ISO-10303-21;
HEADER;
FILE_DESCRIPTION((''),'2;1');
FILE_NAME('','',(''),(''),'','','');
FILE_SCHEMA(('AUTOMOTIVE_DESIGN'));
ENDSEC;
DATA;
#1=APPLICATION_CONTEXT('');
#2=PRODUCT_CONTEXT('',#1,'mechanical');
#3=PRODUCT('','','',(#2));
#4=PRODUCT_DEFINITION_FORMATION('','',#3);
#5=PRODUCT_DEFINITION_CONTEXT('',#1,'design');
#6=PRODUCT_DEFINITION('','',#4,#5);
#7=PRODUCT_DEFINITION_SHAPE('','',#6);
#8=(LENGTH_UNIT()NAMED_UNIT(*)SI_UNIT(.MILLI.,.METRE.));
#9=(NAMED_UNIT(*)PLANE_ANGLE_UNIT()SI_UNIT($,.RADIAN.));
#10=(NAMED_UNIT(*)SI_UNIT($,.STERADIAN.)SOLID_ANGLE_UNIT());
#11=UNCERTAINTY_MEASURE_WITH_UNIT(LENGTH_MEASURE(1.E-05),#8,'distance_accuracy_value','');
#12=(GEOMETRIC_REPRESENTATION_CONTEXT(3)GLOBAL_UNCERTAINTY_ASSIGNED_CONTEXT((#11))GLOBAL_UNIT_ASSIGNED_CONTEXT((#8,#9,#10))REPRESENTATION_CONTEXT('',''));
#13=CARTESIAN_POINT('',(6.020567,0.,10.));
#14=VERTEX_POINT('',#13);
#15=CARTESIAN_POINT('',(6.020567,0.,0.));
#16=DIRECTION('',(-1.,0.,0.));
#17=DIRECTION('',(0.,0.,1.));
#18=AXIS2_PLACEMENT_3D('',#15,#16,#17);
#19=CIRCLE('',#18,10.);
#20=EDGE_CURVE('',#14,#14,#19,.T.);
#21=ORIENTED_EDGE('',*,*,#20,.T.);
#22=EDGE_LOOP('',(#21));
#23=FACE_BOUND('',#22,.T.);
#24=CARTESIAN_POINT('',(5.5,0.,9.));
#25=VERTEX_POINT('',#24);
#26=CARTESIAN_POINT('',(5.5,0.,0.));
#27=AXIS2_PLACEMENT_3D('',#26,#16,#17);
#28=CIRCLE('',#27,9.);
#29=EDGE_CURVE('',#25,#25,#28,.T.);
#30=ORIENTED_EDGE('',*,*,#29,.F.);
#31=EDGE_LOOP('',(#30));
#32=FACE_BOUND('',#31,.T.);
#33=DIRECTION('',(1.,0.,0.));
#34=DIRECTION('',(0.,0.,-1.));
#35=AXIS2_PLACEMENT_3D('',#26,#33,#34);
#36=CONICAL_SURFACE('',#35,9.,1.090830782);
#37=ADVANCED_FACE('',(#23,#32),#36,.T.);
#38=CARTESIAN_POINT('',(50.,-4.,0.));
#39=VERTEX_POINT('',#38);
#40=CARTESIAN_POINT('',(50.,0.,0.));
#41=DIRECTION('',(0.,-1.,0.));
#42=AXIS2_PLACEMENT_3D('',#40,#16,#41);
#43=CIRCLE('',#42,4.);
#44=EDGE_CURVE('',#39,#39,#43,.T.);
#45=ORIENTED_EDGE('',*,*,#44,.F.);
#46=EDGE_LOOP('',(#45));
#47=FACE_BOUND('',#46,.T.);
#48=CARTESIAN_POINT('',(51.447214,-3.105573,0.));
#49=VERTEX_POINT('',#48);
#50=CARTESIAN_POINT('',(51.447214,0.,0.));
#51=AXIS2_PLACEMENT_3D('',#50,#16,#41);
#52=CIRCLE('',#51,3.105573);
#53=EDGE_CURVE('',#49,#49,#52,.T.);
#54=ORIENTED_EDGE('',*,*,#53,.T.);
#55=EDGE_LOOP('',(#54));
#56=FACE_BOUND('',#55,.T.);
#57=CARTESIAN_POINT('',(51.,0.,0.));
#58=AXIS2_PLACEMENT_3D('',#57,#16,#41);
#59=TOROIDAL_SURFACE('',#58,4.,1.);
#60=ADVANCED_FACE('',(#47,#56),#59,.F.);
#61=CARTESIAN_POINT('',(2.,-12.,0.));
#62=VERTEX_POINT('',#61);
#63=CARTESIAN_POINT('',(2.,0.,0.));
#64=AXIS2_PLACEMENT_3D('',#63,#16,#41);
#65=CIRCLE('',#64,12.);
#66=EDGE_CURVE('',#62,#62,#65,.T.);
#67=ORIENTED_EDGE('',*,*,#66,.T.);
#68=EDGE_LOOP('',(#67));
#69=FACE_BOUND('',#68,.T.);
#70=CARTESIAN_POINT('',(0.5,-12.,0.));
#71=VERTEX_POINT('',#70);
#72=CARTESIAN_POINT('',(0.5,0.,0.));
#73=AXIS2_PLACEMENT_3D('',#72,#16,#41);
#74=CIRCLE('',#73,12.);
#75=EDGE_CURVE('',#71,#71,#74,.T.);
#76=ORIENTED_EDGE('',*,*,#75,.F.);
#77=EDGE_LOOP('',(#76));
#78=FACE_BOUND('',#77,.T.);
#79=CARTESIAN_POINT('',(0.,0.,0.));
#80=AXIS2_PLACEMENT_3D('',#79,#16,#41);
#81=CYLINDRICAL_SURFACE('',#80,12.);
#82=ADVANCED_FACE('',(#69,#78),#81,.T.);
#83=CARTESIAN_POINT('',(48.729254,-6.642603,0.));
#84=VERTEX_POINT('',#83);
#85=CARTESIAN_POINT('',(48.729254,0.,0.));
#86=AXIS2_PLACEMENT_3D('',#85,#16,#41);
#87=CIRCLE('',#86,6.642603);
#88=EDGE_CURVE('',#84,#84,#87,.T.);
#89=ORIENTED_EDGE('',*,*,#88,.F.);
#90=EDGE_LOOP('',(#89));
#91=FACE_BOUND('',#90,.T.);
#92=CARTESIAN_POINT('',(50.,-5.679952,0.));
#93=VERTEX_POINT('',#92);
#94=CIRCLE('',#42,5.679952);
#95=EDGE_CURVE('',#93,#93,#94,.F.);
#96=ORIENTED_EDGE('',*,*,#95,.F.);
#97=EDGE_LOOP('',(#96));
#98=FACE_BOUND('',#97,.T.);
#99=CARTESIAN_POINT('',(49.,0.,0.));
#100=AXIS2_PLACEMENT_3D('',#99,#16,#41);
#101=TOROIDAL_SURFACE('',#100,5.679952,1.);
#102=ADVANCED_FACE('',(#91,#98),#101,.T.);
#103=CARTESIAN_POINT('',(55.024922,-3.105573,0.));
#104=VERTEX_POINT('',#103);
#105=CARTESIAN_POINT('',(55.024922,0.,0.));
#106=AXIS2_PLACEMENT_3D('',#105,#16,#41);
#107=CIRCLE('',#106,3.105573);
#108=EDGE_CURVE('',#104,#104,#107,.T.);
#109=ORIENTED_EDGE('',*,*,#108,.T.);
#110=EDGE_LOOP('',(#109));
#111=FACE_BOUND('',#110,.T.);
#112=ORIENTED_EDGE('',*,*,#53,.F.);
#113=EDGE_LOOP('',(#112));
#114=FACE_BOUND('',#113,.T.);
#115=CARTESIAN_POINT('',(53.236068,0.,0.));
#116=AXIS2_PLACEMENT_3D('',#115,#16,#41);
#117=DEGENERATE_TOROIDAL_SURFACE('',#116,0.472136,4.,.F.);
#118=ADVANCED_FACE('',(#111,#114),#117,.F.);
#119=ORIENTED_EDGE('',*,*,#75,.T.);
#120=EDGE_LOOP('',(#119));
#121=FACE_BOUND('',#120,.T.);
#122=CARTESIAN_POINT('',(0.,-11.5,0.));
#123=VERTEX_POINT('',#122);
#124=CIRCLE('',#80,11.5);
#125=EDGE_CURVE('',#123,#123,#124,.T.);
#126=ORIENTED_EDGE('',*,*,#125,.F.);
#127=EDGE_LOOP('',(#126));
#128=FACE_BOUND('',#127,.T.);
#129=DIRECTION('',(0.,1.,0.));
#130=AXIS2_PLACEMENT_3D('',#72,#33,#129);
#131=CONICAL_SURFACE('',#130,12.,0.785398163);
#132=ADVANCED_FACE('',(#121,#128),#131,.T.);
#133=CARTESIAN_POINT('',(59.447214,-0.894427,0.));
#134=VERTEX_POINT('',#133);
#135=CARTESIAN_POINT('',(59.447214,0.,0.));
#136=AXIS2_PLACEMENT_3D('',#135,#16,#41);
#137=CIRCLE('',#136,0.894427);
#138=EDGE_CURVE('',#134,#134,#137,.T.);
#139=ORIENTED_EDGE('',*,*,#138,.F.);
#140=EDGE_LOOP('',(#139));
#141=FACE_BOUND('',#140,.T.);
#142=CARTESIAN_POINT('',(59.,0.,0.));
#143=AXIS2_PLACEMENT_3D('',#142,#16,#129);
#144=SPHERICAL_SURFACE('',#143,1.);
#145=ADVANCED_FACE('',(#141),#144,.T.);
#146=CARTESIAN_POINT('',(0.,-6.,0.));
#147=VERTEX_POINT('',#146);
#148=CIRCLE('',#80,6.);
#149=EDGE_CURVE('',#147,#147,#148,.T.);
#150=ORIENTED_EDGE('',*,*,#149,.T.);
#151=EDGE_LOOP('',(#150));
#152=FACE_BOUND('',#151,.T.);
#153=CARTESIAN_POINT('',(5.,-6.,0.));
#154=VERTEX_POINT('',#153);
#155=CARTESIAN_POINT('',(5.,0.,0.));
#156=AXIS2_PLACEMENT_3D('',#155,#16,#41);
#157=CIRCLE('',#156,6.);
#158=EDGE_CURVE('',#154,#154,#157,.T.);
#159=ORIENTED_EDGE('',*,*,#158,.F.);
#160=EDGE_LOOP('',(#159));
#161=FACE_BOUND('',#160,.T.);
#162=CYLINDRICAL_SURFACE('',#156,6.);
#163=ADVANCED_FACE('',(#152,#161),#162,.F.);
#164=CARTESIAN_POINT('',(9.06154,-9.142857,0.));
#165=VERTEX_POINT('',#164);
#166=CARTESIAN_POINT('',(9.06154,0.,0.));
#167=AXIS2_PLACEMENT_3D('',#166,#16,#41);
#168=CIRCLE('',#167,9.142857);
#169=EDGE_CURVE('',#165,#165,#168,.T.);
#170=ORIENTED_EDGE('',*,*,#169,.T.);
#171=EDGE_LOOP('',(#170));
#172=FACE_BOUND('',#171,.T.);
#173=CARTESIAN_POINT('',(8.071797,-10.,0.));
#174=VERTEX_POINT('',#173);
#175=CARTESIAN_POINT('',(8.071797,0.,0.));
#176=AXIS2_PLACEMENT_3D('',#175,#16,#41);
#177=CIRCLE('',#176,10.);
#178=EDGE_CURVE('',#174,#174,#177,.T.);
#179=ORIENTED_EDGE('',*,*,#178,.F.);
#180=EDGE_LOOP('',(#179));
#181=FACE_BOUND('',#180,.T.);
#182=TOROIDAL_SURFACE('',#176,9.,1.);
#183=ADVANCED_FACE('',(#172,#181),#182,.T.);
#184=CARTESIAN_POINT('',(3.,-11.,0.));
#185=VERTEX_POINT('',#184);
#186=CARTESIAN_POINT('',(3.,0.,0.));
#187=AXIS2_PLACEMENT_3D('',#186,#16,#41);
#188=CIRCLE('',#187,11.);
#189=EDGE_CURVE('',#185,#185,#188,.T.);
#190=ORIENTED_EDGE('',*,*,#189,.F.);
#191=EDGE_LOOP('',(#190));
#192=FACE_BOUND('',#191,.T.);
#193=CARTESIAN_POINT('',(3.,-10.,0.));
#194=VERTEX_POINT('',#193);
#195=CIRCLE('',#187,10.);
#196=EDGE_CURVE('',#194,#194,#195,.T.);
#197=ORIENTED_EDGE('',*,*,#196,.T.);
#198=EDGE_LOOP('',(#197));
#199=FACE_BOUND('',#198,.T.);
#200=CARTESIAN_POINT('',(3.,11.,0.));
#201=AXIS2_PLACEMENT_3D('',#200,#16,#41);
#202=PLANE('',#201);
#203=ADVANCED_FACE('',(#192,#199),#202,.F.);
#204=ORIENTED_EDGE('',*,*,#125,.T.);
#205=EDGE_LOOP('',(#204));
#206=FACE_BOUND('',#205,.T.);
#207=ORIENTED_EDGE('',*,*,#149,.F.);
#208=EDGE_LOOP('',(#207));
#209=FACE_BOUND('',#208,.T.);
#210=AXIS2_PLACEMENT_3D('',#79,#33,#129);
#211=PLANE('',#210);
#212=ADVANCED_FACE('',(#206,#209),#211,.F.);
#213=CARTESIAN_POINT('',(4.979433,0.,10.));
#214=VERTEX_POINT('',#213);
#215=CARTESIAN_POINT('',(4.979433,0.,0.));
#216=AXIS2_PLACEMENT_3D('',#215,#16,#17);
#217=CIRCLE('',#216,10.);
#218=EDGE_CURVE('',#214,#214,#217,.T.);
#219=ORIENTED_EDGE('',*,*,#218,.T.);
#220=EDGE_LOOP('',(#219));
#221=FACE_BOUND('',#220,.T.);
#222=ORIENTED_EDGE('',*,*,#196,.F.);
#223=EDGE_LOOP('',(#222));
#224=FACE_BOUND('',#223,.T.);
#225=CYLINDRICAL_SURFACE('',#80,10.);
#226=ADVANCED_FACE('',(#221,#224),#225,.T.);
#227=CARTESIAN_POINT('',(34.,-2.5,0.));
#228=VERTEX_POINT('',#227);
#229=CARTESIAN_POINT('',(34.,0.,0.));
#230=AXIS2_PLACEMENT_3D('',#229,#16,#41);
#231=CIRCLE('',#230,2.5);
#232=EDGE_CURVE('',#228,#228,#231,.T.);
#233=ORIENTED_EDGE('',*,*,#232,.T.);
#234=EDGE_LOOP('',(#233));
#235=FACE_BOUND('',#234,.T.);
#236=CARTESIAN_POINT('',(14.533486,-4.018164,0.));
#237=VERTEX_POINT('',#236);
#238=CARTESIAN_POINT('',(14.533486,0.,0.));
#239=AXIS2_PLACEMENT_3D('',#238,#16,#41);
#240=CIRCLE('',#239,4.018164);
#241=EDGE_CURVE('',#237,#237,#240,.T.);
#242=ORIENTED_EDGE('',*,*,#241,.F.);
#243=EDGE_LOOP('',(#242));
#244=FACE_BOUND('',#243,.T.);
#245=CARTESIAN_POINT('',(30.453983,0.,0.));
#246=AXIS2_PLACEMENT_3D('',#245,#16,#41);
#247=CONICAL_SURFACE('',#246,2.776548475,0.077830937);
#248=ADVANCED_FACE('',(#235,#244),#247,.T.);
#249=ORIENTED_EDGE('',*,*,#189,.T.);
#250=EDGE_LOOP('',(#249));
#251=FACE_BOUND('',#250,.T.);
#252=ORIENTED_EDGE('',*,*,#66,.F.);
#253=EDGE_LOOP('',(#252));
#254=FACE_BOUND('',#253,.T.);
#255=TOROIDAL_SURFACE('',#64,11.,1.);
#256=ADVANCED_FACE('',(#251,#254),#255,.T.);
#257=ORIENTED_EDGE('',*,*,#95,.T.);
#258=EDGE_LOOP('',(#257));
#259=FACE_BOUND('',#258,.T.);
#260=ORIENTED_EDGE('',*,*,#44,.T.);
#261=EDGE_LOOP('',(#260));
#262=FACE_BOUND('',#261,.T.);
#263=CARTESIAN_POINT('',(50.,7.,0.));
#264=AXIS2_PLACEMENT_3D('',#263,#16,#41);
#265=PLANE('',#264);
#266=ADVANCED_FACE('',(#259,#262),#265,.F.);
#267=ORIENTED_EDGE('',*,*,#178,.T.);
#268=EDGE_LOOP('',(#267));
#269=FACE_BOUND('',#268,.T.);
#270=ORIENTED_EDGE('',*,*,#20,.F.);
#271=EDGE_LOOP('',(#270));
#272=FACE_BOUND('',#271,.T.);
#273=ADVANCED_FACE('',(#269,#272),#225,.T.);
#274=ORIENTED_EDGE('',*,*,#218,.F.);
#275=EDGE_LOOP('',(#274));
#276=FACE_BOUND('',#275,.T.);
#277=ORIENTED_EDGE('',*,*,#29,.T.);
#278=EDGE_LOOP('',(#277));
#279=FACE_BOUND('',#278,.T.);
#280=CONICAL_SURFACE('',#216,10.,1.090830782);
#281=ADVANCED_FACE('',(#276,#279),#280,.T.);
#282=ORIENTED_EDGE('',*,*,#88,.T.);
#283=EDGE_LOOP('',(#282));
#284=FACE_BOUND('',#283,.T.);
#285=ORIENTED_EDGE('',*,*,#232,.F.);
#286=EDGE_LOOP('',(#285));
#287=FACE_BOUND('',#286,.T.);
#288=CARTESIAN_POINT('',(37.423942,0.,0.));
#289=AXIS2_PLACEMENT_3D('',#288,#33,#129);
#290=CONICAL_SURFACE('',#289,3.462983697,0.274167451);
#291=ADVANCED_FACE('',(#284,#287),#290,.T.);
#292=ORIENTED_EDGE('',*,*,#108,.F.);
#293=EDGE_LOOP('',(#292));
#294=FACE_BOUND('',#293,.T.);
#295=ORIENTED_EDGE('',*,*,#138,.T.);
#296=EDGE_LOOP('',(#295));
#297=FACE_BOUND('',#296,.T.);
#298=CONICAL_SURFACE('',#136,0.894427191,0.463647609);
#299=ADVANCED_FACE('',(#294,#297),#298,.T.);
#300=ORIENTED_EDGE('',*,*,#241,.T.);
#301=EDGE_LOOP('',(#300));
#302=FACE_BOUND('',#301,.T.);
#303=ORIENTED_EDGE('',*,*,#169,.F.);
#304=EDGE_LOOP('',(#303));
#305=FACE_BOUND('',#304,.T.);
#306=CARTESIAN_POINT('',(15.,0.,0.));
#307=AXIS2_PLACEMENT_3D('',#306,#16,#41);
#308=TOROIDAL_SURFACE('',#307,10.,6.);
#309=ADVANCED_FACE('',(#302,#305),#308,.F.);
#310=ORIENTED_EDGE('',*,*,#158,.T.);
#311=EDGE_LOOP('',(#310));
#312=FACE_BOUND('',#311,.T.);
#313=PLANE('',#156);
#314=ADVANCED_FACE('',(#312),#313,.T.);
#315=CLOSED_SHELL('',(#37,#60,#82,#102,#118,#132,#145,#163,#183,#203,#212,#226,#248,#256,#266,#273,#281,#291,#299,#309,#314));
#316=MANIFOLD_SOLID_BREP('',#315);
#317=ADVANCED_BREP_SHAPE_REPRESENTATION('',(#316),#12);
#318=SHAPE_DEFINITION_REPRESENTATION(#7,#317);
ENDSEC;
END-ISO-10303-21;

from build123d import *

# Parameters (mm, degrees)
SKETCH3_R          = 6
CUT_EXTRUDE1_DEPTH = 5
FILLET1_R          = 1


with BuildPart() as part:
    # Sketch1 → Revolve1 (revolve)
    with BuildSketch(Plane.XY, mode=Mode.PRIVATE) as revolve1_sk:
        with BuildLine():
            Line((0, 0), (0, 11.5))
            Line((0, 11.5), (0.5, 12))
            Line((0.5, 12), (2, 12))
            ThreePointArc((2, 12), (2.707106781, 11.707106781), (3, 11))
            Line((3, 11), (3, 10))
            Line((3, 10), (8.07179677, 10))
            ThreePointArc((8.07179677, 10), (8.72645044, 9.755928946), (9.061540088, 9.142857143))
            ThreePointArc((9.061540088, 9.142857143), (10.898592422, 5.620678605), (14.533485708, 4.018163792))
            Line((14.533485708, 4.018163792), (30.453982854, 2.776548475))
            Line((30.453982854, 2.776548475), (34, 2.5))
            Line((34, 2.5), (37.423942034, 3.462983697))
            Line((37.423942034, 3.462983697), (50, 7))
            Line((50, 7), (50, 4))
            ThreePointArc((50, 4), (50.474268888, 3.149349192), (51.447213595, 3.105572809))
            ThreePointArc((51.447213595, 3.105572809), (53.236067977, 3.527864045), (55.024922359, 3.105572809))
            Line((55.024922359, 3.105572809), (59.447213595, 0.894427191))
            ThreePointArc((59.447213595, 0.894427191), (59.850650808, 0.525731112), (60, 0))
            Line((60, 0), (0, 0))
        make_face()
    revolve(revolve1_sk.sketch.rotate(Axis((0, 0, 0), (1, 0, 0)), 180), axis=Axis((0, 0, 0), (1, 0, 0)))  # turned: the seam where the file's is

    # Sketch2 → Cut-Revolve1 (revolve, cut)
    with BuildSketch(Plane.XY, mode=Mode.PRIVATE) as cut_revolve1_sk:
        Polygon((4.979432949, 10), (5.5, 9), (6.020567051, 10), align=None)
    revolve(cut_revolve1_sk.sketch.rotate(Axis((0, 0, 0), (1, 0, 0)), 180), axis=Axis((0, 0, 0), (1, 0, 0)), mode=Mode.SUBTRACT)  # turned: the seam where the file's is

    # Sketch3 → Cut-Extrude1 (cut)
    with BuildSketch(Plane.ZY):
        with Locations(Location((0, 0, 0), (0, 0, 270))):  # turned: the seam where the file's is
            Circle(SKETCH3_R)
    extrude(amount=-CUT_EXTRUDE1_DEPTH, mode=Mode.SUBTRACT)

    # Fillet1
    fillet1_edges = [part.edges().sort_by_distance(p)[0] for p in [
        (50, 7, 0),
    ]]
    fillet(fillet1_edges, radius=FILLET1_R)


solid = part.part
